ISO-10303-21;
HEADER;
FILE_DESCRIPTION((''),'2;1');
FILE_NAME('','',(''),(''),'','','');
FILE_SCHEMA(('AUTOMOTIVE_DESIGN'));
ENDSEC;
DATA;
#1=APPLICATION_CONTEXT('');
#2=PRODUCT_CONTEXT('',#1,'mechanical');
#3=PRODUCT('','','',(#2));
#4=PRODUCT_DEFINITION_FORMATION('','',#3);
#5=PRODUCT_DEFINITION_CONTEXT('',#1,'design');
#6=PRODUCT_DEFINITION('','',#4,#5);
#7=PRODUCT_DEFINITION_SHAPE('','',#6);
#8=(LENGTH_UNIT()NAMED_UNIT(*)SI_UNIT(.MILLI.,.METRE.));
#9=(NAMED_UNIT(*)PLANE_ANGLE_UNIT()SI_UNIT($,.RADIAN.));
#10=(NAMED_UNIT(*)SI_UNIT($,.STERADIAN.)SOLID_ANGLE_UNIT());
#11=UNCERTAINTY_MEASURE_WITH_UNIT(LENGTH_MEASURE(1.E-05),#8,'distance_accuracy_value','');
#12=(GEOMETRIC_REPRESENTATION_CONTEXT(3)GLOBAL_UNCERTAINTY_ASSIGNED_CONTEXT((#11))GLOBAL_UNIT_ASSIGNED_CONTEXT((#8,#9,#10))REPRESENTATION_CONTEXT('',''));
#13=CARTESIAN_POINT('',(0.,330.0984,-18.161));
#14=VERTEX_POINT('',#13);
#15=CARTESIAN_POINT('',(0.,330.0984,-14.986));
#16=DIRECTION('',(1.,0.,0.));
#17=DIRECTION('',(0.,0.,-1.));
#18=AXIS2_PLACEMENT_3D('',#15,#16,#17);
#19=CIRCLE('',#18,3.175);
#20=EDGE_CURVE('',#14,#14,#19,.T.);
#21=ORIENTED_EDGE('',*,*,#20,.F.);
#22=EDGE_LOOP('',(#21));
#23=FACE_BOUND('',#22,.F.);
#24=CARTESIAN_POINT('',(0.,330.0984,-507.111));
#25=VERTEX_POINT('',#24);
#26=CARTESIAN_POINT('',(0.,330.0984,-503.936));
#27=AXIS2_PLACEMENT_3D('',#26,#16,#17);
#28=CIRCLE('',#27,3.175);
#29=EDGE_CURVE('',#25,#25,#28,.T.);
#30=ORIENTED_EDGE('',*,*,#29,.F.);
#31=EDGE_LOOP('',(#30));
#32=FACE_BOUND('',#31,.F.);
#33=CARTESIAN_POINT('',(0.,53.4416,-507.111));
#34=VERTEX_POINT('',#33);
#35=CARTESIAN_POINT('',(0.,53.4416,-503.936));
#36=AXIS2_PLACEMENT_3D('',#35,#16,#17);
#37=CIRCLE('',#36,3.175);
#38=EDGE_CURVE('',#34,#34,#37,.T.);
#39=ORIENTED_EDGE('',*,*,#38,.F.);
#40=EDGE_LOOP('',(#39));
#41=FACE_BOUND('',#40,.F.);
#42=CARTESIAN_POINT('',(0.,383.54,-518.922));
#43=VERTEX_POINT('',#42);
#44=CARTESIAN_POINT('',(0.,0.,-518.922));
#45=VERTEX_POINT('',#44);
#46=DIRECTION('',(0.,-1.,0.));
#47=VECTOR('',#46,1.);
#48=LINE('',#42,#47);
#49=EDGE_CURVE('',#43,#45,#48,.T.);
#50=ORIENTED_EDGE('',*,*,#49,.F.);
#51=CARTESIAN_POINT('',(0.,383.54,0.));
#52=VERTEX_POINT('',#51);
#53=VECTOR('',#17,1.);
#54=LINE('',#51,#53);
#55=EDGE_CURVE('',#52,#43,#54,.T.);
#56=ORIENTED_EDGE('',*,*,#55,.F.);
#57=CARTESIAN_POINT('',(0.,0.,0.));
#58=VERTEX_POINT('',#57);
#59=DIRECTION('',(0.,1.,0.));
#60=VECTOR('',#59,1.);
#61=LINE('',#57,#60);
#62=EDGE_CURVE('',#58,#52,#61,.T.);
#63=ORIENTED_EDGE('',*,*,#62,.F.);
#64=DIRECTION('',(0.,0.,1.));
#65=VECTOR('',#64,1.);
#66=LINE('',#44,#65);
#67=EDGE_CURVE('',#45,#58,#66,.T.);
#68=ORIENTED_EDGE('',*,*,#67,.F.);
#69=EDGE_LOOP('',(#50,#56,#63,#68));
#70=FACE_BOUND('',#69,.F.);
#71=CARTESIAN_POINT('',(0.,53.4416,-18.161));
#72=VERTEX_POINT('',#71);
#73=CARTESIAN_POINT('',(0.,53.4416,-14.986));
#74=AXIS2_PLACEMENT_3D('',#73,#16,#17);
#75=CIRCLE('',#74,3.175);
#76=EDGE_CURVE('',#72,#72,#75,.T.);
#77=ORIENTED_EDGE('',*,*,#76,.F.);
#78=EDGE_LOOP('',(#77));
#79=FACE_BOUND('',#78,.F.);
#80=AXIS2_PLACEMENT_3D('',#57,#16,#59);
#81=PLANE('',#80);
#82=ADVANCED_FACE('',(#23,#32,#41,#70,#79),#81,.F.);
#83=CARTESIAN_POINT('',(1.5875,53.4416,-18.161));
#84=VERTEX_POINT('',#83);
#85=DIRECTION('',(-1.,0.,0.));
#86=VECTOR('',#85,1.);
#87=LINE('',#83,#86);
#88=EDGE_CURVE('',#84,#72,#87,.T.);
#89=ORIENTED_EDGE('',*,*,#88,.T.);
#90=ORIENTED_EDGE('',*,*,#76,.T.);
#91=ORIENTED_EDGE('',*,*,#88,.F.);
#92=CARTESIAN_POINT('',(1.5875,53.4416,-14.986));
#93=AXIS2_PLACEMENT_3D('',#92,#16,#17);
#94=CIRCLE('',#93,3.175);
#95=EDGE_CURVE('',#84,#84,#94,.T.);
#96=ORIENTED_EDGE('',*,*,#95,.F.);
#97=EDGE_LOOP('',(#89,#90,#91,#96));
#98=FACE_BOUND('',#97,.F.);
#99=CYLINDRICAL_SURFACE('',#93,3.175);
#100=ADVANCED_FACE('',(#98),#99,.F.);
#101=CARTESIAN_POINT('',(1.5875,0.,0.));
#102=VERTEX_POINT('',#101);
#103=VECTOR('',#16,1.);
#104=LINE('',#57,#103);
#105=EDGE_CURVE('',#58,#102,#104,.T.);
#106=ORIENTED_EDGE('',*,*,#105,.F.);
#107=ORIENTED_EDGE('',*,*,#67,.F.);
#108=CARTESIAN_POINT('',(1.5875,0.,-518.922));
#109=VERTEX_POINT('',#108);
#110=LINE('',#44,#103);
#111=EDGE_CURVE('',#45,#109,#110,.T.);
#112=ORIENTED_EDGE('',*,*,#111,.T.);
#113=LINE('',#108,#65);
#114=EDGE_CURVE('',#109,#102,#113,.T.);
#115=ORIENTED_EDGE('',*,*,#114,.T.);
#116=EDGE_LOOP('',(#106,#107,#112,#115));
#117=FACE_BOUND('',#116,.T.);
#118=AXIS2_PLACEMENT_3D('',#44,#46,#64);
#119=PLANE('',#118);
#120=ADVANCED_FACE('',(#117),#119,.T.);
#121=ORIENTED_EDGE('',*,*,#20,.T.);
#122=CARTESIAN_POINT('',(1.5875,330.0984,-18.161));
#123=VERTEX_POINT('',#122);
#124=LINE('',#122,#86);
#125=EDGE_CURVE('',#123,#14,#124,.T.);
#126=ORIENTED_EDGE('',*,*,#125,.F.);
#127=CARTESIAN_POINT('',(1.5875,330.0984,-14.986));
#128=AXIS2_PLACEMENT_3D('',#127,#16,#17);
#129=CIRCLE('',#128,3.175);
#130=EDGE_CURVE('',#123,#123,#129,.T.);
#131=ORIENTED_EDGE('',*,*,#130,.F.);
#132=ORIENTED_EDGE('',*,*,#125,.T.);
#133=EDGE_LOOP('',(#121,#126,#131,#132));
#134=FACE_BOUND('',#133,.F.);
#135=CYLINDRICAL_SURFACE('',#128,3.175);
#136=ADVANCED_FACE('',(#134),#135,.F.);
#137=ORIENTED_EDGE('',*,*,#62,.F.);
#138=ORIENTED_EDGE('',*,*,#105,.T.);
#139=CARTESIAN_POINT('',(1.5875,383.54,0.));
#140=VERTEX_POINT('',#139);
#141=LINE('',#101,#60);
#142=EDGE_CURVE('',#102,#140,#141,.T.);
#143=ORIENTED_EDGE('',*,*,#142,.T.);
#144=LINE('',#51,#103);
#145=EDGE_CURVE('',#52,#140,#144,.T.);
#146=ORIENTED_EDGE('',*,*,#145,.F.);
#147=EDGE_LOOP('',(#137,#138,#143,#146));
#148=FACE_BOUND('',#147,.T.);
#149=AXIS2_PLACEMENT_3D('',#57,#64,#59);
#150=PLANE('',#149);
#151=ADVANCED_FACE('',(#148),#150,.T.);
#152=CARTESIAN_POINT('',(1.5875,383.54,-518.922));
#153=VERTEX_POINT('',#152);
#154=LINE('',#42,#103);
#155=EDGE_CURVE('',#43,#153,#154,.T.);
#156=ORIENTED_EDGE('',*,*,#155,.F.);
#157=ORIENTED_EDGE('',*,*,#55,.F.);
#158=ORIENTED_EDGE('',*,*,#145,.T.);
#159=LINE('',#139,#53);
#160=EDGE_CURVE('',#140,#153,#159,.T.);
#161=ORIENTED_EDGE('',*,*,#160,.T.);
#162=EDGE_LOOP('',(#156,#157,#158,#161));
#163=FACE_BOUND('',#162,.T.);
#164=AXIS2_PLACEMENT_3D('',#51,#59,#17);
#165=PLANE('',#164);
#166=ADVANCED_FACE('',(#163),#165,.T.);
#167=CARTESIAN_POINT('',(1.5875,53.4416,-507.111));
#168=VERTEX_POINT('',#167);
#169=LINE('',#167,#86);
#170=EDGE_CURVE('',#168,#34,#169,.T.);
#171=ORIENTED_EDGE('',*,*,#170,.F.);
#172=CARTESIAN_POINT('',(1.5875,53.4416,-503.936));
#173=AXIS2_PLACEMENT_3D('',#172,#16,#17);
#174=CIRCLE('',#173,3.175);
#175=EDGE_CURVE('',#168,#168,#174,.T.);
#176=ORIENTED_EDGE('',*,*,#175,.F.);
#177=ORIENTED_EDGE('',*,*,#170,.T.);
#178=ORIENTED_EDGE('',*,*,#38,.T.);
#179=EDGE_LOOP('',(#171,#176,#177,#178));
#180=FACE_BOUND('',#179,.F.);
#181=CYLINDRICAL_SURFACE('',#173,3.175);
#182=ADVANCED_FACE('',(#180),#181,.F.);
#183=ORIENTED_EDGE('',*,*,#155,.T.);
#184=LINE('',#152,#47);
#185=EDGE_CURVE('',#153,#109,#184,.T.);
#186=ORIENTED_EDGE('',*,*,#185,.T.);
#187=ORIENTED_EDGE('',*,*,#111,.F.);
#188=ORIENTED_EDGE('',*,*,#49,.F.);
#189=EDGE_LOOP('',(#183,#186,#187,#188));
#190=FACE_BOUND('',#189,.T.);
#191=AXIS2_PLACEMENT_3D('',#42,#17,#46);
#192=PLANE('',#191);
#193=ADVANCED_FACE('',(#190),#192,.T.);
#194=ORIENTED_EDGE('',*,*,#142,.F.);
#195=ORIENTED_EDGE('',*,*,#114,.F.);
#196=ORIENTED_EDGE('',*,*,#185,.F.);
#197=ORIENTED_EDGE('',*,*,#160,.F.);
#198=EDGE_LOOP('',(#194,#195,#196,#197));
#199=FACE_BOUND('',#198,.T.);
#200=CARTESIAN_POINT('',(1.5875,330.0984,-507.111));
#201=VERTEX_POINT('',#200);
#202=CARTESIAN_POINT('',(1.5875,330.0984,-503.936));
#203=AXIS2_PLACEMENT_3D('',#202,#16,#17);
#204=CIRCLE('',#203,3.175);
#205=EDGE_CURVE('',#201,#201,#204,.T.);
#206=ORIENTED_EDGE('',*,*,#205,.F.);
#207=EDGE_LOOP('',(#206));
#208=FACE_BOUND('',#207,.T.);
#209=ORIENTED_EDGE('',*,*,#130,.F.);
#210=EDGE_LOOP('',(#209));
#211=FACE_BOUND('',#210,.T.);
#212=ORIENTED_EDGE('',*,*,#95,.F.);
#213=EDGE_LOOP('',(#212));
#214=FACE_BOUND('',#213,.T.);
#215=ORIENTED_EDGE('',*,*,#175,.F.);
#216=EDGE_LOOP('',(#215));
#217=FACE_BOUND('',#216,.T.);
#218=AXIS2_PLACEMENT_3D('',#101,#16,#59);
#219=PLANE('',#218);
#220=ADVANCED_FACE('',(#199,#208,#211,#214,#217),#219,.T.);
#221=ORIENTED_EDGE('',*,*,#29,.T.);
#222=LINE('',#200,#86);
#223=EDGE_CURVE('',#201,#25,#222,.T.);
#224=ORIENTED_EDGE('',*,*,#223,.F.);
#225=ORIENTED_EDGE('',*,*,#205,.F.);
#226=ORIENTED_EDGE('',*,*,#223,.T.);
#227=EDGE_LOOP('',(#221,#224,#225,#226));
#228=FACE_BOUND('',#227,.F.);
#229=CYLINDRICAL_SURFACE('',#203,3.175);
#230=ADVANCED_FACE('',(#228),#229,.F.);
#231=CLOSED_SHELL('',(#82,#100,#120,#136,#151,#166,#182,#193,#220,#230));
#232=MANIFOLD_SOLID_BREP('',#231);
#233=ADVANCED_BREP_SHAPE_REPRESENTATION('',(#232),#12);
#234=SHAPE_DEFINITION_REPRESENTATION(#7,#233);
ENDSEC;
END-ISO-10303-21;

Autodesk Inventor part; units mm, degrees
ref_plane "YZ Plane" through (0, 0, 0) normal (1, 0, 0) x (0, 1, 0)
ref_plane "XZ Plane" through (0, 0, 0) normal (0, 1, 0) x (-1, 0, 0)
ref_plane "XY Plane" through (0, 0, 0) normal (0, 0, 1) x (1, 0, 0)
sketch "Sketch1" plane through (0, 0, 0) normal (1, 0, 0) x (0, 1, 0)
  line L0 (0, 0) -> (383.54, 0)
  line L1 (383.54, 0) -> (383.54, -518.922)
  line L2 (383.54, -518.922) -> (0, -518.922)
  line L3 (0, -518.922) -> (0, 0)
  dimension "d0" = 383.54
  dimension "d1" = 518.922
extrude "Extrusion1" add sketch "Sketch1" along normal blind 1.5875
sketch "Sketch2" plane through (1.5875, 0, 0) normal (1, 0, 0) x (0, 0, -1)
  line L0 (0, 191.77) -> (105.6706, 191.77)
  line L1 (0, 0) -> (518.922, 0) projected
  line L2 (259.461, 0) -> (259.461, 125.3156)
  line L3 (259.461, 383.54) -> (259.461, 258.2244)
  circle A0 centre (14.986, 53.4416) radius 3.175
  line L4 (518.922, 191.77) -> (413.2514, 191.77)
  circle A1 centre (503.936, 53.4416) radius 3.175
  circle A2 centre (14.986, 330.0984) radius 3.175
  circle A3 centre (503.936, 330.0984) radius 3.175
  dimension "d15" = 6.35
extrude "Extrusion4" cut sketch "Sketch2" against normal blind 25.4
properties part number "TopV4"
